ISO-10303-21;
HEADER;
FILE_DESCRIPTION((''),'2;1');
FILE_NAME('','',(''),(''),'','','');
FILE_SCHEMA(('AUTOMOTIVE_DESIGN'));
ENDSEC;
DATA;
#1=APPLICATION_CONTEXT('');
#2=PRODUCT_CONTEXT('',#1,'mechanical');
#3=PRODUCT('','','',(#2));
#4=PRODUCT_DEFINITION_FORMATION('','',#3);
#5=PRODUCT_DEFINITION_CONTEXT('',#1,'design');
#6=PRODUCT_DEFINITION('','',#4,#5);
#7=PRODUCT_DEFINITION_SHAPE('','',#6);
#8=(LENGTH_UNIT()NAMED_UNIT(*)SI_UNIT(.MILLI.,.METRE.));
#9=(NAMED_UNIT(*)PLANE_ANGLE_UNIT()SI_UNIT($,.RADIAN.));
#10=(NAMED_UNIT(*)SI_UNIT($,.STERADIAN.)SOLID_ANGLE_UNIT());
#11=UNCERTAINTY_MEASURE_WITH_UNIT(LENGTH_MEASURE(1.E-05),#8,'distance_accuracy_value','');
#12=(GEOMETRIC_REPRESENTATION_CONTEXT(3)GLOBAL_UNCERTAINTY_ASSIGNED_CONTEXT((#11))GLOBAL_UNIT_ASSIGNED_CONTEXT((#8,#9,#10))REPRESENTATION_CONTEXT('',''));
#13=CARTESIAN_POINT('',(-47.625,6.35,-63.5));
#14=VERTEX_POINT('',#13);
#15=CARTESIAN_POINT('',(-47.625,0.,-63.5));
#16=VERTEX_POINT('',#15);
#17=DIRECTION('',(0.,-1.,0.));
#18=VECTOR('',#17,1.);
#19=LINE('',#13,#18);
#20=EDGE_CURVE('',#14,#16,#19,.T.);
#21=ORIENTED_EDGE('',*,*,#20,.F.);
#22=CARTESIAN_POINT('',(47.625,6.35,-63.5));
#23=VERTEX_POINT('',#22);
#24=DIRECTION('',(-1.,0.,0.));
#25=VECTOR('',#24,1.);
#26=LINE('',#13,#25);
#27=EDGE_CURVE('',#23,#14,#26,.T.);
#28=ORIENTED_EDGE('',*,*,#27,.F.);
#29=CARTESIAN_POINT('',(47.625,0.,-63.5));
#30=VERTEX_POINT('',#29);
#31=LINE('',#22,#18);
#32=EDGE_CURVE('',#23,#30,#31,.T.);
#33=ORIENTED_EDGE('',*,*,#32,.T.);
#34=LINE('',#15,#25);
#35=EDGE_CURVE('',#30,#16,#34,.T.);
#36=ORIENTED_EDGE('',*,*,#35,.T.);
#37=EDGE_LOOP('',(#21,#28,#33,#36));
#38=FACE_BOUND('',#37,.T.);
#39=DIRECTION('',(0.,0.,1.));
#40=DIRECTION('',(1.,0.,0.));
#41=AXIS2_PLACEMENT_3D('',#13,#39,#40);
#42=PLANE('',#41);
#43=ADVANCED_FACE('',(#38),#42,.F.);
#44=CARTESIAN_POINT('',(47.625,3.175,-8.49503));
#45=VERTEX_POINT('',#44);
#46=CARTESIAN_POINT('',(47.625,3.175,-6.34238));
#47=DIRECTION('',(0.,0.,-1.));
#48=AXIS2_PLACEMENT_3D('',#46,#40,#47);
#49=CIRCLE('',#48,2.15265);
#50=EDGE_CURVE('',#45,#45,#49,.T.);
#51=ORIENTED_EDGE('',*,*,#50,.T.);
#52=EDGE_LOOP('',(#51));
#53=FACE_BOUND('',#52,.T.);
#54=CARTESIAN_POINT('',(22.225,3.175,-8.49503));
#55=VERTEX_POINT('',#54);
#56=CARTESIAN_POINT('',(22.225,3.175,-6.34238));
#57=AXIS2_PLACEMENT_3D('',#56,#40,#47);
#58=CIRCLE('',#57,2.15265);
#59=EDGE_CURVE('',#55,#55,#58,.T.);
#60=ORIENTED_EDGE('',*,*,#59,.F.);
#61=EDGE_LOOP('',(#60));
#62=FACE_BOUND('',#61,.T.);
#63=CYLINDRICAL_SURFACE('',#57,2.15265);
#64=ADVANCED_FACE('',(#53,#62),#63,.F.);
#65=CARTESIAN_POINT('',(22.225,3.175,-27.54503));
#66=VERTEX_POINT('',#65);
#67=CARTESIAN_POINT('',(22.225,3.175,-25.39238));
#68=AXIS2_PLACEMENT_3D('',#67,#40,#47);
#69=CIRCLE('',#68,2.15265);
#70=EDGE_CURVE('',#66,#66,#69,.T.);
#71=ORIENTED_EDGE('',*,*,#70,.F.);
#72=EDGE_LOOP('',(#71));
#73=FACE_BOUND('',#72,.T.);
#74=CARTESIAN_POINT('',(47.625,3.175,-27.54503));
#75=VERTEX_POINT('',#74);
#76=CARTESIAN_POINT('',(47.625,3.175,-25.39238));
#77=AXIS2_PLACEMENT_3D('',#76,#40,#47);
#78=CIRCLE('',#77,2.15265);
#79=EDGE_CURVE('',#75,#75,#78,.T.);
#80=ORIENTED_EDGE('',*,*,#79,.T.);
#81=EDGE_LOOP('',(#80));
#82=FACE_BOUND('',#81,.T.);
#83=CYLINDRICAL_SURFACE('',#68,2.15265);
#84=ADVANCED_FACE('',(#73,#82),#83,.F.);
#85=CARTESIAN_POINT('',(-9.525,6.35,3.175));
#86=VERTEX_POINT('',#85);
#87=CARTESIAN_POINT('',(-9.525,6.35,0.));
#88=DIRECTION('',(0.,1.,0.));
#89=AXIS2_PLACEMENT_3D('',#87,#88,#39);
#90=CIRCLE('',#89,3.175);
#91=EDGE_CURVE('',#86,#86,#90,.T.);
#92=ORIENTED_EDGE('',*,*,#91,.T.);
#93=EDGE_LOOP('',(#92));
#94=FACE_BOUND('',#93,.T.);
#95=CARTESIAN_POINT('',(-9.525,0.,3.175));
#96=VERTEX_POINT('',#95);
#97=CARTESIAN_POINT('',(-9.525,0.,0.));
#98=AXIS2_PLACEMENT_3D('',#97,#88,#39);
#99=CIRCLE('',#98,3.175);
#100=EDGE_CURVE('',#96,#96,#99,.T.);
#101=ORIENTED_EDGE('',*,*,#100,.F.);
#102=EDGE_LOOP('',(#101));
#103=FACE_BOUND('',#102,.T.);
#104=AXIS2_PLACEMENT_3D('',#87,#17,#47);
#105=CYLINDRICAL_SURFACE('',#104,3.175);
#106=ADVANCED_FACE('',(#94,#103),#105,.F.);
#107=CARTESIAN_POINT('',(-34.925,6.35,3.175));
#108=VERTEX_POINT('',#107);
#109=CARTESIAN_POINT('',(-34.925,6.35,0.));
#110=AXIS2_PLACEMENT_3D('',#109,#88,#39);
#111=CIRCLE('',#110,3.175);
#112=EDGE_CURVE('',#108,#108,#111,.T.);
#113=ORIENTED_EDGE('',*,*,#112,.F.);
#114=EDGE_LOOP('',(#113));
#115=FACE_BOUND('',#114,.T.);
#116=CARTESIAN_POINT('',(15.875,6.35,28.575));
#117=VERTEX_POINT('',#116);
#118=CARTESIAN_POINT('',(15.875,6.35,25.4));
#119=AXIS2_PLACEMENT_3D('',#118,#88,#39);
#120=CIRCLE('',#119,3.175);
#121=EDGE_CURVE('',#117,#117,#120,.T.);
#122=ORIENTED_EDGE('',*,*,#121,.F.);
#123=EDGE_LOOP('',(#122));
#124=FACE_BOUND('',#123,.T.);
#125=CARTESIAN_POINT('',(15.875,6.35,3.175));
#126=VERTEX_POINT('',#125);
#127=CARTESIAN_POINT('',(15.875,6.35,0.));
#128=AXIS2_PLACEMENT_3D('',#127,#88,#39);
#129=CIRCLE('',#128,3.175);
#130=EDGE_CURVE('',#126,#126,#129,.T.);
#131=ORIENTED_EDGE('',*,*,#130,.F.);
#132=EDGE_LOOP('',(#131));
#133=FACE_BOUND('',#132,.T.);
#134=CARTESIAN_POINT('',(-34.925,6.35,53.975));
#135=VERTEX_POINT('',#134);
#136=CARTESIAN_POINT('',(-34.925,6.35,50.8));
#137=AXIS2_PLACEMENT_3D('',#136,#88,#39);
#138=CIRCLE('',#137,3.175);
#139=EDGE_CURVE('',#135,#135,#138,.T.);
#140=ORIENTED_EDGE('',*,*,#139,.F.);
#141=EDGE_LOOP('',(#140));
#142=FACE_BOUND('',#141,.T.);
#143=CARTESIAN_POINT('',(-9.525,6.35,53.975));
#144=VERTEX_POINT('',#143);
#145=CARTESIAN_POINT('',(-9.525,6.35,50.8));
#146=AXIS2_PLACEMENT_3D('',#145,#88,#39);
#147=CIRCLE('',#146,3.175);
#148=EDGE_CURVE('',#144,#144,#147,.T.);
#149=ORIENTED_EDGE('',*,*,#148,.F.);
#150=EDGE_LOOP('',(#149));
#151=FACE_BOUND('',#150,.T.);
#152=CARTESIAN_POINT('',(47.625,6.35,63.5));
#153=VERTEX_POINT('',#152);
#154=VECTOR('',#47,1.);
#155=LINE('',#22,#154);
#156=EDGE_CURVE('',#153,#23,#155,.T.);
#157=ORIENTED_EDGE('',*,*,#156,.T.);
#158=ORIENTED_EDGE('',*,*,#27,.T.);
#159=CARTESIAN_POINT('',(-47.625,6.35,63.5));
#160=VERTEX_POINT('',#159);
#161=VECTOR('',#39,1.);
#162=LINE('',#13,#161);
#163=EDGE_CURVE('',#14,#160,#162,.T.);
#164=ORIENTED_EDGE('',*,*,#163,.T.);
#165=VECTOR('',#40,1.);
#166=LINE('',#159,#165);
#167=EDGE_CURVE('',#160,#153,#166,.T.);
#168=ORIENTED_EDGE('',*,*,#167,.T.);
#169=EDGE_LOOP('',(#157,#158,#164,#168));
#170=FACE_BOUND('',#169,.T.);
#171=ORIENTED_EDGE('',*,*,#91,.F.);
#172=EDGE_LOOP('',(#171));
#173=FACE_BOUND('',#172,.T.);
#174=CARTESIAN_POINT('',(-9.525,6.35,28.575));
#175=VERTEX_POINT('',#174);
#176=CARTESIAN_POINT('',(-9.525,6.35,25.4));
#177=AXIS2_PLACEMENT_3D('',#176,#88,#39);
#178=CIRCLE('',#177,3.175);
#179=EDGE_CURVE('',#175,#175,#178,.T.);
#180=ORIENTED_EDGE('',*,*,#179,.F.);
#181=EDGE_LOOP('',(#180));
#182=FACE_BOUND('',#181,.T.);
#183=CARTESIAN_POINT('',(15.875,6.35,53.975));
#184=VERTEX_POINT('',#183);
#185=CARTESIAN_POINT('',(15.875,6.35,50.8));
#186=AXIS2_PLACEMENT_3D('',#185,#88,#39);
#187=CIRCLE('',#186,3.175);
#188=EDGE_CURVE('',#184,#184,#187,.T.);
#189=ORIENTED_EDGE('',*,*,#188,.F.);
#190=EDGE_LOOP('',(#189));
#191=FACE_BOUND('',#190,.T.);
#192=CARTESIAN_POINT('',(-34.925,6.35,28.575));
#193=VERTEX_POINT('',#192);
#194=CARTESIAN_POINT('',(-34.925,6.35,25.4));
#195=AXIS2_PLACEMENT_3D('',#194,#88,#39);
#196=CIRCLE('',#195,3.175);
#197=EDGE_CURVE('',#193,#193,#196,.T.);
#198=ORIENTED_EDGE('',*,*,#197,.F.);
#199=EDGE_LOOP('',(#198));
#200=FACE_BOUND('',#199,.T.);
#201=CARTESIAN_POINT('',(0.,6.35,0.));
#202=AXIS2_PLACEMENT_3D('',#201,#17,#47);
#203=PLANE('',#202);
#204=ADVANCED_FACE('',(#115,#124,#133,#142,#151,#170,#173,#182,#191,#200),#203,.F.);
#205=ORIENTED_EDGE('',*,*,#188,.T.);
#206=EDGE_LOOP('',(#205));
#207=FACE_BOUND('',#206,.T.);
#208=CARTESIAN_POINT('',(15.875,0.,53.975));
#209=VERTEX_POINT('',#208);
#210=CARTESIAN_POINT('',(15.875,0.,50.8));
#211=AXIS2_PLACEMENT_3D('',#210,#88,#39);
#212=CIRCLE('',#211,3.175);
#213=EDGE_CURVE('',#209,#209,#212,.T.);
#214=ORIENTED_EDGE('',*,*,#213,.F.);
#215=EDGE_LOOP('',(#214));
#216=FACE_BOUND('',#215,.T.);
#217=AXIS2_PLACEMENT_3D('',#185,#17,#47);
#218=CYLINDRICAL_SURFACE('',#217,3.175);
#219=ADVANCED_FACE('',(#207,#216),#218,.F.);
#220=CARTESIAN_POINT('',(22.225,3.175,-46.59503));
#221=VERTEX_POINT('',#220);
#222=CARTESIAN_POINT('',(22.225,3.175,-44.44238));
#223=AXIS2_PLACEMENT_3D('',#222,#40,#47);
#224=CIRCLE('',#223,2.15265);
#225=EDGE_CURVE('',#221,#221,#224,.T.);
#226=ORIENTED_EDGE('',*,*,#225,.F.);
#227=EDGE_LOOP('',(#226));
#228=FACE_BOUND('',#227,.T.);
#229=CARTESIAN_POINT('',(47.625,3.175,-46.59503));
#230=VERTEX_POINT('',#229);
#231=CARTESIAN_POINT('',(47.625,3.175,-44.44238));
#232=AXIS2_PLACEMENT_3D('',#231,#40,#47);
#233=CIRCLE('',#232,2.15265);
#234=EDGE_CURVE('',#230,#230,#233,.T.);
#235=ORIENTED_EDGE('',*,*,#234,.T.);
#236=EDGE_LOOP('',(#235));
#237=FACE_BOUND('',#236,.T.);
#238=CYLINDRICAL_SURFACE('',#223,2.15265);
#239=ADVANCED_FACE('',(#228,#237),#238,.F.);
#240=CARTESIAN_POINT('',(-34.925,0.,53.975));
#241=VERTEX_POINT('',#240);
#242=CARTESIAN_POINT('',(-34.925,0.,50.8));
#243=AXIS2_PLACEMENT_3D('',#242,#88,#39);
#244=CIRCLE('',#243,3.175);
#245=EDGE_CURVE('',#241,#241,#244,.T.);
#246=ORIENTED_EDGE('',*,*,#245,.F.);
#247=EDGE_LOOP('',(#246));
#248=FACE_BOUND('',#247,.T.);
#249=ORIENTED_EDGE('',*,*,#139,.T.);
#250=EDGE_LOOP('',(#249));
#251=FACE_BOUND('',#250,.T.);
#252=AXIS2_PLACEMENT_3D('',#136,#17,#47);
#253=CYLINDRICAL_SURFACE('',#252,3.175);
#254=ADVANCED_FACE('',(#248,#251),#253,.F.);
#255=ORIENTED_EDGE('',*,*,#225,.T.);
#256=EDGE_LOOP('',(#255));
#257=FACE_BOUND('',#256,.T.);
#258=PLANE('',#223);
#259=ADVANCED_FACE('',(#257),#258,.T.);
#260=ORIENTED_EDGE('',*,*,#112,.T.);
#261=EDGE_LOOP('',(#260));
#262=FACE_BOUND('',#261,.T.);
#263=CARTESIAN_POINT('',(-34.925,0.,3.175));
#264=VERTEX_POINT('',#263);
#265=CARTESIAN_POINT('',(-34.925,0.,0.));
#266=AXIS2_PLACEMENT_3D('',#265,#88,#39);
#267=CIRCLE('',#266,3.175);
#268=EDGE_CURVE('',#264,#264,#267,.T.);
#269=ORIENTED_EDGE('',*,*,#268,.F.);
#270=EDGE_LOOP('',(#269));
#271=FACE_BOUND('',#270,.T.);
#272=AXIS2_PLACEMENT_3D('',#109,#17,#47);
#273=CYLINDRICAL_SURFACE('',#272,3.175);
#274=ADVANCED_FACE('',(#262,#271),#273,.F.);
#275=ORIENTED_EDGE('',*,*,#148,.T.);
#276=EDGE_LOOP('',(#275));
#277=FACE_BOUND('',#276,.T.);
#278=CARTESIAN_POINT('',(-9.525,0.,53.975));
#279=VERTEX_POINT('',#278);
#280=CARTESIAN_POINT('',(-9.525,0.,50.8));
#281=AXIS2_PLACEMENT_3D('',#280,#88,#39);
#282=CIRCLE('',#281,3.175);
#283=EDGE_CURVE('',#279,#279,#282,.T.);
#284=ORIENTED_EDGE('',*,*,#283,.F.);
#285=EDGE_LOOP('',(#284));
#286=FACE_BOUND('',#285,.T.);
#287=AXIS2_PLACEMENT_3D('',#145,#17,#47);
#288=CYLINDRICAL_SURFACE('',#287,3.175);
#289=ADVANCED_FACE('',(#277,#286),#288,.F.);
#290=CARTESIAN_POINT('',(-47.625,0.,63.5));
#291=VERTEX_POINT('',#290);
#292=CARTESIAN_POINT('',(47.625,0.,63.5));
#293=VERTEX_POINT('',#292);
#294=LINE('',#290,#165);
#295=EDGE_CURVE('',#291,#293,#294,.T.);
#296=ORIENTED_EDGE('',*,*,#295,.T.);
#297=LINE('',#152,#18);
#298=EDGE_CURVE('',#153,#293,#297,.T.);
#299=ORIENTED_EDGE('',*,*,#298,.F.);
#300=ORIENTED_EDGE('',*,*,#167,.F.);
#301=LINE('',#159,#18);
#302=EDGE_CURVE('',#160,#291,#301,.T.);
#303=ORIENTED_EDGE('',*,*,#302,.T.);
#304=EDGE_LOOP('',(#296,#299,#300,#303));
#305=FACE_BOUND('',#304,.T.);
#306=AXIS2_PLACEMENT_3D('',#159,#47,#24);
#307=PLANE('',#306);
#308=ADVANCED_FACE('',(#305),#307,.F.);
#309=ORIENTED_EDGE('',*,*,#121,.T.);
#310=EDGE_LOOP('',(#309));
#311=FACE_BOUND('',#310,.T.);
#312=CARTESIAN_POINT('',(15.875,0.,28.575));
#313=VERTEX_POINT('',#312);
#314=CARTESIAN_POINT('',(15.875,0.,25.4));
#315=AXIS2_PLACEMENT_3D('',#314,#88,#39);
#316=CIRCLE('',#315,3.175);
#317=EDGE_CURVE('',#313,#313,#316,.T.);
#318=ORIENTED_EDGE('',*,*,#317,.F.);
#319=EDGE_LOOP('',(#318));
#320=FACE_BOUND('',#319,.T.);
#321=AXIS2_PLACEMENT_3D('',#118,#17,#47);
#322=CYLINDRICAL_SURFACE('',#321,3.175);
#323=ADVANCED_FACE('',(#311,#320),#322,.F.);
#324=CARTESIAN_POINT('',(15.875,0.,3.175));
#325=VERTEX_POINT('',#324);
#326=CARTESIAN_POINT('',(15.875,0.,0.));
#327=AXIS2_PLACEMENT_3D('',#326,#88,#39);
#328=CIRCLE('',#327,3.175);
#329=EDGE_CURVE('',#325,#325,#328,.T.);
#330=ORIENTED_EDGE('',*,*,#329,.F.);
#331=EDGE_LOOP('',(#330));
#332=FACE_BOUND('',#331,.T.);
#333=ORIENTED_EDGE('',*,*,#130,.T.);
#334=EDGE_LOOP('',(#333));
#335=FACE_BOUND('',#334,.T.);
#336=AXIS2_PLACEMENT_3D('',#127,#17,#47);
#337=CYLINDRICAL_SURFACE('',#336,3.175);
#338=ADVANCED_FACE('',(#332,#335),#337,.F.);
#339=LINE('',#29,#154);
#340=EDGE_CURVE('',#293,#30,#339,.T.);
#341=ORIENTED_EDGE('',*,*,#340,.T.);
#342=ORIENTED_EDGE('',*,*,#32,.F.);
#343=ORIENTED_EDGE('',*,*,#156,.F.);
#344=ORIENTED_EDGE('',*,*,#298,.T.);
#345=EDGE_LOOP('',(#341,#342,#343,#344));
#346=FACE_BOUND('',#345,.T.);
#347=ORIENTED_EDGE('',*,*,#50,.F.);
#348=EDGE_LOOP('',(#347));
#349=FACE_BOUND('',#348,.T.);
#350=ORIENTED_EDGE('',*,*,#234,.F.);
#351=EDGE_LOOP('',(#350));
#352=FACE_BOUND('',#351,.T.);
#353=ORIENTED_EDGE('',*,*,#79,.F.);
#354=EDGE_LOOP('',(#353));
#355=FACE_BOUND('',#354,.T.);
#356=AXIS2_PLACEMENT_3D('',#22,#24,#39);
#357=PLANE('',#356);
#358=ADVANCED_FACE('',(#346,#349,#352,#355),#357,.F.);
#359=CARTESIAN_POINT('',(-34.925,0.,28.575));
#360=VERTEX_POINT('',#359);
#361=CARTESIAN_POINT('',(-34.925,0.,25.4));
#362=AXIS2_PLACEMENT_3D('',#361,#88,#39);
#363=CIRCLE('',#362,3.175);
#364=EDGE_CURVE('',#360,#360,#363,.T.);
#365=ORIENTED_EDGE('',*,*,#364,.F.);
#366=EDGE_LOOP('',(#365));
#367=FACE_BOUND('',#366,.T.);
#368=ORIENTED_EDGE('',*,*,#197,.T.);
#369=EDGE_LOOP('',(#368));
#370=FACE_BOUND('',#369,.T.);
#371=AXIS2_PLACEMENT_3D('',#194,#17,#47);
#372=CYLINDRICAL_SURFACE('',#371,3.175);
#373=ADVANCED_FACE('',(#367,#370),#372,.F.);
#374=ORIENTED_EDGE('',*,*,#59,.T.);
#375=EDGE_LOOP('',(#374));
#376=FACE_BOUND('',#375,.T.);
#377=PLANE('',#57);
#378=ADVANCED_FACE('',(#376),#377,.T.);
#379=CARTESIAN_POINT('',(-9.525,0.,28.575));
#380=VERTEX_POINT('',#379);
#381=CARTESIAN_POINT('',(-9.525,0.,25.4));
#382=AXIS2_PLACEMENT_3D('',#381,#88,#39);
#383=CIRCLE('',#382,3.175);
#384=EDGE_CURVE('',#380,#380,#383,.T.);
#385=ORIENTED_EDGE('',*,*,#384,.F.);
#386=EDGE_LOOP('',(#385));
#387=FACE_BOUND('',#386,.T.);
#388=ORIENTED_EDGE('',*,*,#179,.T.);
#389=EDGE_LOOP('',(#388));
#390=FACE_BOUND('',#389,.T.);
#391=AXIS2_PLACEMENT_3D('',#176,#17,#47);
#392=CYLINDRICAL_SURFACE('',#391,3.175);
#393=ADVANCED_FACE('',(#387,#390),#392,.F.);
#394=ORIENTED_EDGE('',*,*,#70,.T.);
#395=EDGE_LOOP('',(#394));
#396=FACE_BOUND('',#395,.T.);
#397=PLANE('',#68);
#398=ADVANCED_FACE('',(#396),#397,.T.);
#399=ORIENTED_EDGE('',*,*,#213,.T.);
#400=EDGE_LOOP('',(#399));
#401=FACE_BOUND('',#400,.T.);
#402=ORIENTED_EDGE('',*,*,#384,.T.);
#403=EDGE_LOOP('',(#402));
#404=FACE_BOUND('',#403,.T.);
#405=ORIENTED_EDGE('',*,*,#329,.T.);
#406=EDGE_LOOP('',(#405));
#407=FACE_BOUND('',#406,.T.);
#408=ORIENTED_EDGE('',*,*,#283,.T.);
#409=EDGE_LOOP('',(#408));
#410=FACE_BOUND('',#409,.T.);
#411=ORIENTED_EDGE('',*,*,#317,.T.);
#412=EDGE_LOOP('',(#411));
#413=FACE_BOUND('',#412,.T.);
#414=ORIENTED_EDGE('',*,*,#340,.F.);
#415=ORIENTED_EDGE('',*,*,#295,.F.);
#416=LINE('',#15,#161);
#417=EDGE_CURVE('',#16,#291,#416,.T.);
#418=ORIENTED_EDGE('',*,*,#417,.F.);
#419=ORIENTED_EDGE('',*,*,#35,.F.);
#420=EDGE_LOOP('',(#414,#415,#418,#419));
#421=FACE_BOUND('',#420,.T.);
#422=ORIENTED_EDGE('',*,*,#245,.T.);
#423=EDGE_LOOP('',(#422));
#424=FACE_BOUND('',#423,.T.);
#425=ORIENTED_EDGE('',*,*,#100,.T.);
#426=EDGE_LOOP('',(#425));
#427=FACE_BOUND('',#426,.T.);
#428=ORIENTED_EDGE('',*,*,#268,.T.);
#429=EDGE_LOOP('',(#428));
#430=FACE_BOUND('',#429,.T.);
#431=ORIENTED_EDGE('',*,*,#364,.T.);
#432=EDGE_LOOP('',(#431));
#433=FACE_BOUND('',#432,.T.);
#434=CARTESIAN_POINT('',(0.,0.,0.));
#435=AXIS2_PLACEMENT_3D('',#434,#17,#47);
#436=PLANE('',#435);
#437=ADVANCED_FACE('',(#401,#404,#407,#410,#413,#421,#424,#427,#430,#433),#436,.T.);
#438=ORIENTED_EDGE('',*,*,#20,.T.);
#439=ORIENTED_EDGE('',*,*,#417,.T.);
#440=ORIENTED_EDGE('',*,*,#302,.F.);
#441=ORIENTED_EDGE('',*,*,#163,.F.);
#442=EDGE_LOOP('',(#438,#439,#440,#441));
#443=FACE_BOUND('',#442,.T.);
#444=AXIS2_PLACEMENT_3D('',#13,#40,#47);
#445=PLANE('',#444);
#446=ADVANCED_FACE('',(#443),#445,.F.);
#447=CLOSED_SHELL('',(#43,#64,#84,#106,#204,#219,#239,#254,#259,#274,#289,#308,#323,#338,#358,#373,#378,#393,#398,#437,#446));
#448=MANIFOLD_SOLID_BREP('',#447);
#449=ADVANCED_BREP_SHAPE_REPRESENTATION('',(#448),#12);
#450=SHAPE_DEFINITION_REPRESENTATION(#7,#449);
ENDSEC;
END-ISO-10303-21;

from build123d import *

# Parameters (mm, degrees)
SKETCH1_W           = 95.25
SKETCH1_H           = 127
SKETCH1_R           = 3.175
BOSS_EXTRUDE1_DEPTH = 6.35
SKETCH2_R           = 2.15265
CUT_EXTRUDE1_DEPTH  = 25.4


with BuildPart() as part:
    # Sketch1 → Boss-Extrude1 (new body)
    with BuildSketch(Plane(origin=(0, 0, 0), x_dir=(1, 0, 0), z_dir=(0, 1, 0))):
        Rectangle(SKETCH1_W, SKETCH1_H)
        with Locations(Location((-34.925, 0, 0), (0, 0, 270))):
            Circle(SKETCH1_R, mode=Mode.SUBTRACT)
        with Locations(Location((-9.525, 0, 0), (0, 0, 270))):
            Circle(SKETCH1_R, mode=Mode.SUBTRACT)
        with Locations(Location((15.875, 0, 0), (0, 0, 270))):
            Circle(SKETCH1_R, mode=Mode.SUBTRACT)
        with Locations(Location((-9.525, -25.4, 0), (0, 0, 270))):
            Circle(SKETCH1_R, mode=Mode.SUBTRACT)
        with Locations(Location((15.875, -25.4, 0), (0, 0, 270))):
            Circle(SKETCH1_R, mode=Mode.SUBTRACT)
        with Locations(Location((-9.525, -50.8, 0), (0, 0, 270))):
            Circle(SKETCH1_R, mode=Mode.SUBTRACT)
        with Locations(Location((15.875, -50.8, 0), (0, 0, 270))):
            Circle(SKETCH1_R, mode=Mode.SUBTRACT)
        with Locations(Location((-34.925, -25.4, 0), (0, 0, 270))):
            Circle(SKETCH1_R, mode=Mode.SUBTRACT)
        with Locations(Location((-34.925, -50.8, 0), (0, 0, 270))):
            Circle(SKETCH1_R, mode=Mode.SUBTRACT)
    extrude(amount=BOSS_EXTRUDE1_DEPTH)

    # Sketch2 → Cut-Extrude1 (cut)
    with BuildSketch(Plane(origin=(47.625, 0, 0), x_dir=(0, 0, -1), z_dir=(1, 0, 0))):
        with Locations((44.44238, 3.175)):
            Circle(SKETCH2_R)
        with Locations((25.39238, 3.175)):
            Circle(SKETCH2_R)
        with Locations((6.34238, 3.175)):
            Circle(SKETCH2_R)
    extrude(amount=-CUT_EXTRUDE1_DEPTH, mode=Mode.SUBTRACT)


solid = part.part
